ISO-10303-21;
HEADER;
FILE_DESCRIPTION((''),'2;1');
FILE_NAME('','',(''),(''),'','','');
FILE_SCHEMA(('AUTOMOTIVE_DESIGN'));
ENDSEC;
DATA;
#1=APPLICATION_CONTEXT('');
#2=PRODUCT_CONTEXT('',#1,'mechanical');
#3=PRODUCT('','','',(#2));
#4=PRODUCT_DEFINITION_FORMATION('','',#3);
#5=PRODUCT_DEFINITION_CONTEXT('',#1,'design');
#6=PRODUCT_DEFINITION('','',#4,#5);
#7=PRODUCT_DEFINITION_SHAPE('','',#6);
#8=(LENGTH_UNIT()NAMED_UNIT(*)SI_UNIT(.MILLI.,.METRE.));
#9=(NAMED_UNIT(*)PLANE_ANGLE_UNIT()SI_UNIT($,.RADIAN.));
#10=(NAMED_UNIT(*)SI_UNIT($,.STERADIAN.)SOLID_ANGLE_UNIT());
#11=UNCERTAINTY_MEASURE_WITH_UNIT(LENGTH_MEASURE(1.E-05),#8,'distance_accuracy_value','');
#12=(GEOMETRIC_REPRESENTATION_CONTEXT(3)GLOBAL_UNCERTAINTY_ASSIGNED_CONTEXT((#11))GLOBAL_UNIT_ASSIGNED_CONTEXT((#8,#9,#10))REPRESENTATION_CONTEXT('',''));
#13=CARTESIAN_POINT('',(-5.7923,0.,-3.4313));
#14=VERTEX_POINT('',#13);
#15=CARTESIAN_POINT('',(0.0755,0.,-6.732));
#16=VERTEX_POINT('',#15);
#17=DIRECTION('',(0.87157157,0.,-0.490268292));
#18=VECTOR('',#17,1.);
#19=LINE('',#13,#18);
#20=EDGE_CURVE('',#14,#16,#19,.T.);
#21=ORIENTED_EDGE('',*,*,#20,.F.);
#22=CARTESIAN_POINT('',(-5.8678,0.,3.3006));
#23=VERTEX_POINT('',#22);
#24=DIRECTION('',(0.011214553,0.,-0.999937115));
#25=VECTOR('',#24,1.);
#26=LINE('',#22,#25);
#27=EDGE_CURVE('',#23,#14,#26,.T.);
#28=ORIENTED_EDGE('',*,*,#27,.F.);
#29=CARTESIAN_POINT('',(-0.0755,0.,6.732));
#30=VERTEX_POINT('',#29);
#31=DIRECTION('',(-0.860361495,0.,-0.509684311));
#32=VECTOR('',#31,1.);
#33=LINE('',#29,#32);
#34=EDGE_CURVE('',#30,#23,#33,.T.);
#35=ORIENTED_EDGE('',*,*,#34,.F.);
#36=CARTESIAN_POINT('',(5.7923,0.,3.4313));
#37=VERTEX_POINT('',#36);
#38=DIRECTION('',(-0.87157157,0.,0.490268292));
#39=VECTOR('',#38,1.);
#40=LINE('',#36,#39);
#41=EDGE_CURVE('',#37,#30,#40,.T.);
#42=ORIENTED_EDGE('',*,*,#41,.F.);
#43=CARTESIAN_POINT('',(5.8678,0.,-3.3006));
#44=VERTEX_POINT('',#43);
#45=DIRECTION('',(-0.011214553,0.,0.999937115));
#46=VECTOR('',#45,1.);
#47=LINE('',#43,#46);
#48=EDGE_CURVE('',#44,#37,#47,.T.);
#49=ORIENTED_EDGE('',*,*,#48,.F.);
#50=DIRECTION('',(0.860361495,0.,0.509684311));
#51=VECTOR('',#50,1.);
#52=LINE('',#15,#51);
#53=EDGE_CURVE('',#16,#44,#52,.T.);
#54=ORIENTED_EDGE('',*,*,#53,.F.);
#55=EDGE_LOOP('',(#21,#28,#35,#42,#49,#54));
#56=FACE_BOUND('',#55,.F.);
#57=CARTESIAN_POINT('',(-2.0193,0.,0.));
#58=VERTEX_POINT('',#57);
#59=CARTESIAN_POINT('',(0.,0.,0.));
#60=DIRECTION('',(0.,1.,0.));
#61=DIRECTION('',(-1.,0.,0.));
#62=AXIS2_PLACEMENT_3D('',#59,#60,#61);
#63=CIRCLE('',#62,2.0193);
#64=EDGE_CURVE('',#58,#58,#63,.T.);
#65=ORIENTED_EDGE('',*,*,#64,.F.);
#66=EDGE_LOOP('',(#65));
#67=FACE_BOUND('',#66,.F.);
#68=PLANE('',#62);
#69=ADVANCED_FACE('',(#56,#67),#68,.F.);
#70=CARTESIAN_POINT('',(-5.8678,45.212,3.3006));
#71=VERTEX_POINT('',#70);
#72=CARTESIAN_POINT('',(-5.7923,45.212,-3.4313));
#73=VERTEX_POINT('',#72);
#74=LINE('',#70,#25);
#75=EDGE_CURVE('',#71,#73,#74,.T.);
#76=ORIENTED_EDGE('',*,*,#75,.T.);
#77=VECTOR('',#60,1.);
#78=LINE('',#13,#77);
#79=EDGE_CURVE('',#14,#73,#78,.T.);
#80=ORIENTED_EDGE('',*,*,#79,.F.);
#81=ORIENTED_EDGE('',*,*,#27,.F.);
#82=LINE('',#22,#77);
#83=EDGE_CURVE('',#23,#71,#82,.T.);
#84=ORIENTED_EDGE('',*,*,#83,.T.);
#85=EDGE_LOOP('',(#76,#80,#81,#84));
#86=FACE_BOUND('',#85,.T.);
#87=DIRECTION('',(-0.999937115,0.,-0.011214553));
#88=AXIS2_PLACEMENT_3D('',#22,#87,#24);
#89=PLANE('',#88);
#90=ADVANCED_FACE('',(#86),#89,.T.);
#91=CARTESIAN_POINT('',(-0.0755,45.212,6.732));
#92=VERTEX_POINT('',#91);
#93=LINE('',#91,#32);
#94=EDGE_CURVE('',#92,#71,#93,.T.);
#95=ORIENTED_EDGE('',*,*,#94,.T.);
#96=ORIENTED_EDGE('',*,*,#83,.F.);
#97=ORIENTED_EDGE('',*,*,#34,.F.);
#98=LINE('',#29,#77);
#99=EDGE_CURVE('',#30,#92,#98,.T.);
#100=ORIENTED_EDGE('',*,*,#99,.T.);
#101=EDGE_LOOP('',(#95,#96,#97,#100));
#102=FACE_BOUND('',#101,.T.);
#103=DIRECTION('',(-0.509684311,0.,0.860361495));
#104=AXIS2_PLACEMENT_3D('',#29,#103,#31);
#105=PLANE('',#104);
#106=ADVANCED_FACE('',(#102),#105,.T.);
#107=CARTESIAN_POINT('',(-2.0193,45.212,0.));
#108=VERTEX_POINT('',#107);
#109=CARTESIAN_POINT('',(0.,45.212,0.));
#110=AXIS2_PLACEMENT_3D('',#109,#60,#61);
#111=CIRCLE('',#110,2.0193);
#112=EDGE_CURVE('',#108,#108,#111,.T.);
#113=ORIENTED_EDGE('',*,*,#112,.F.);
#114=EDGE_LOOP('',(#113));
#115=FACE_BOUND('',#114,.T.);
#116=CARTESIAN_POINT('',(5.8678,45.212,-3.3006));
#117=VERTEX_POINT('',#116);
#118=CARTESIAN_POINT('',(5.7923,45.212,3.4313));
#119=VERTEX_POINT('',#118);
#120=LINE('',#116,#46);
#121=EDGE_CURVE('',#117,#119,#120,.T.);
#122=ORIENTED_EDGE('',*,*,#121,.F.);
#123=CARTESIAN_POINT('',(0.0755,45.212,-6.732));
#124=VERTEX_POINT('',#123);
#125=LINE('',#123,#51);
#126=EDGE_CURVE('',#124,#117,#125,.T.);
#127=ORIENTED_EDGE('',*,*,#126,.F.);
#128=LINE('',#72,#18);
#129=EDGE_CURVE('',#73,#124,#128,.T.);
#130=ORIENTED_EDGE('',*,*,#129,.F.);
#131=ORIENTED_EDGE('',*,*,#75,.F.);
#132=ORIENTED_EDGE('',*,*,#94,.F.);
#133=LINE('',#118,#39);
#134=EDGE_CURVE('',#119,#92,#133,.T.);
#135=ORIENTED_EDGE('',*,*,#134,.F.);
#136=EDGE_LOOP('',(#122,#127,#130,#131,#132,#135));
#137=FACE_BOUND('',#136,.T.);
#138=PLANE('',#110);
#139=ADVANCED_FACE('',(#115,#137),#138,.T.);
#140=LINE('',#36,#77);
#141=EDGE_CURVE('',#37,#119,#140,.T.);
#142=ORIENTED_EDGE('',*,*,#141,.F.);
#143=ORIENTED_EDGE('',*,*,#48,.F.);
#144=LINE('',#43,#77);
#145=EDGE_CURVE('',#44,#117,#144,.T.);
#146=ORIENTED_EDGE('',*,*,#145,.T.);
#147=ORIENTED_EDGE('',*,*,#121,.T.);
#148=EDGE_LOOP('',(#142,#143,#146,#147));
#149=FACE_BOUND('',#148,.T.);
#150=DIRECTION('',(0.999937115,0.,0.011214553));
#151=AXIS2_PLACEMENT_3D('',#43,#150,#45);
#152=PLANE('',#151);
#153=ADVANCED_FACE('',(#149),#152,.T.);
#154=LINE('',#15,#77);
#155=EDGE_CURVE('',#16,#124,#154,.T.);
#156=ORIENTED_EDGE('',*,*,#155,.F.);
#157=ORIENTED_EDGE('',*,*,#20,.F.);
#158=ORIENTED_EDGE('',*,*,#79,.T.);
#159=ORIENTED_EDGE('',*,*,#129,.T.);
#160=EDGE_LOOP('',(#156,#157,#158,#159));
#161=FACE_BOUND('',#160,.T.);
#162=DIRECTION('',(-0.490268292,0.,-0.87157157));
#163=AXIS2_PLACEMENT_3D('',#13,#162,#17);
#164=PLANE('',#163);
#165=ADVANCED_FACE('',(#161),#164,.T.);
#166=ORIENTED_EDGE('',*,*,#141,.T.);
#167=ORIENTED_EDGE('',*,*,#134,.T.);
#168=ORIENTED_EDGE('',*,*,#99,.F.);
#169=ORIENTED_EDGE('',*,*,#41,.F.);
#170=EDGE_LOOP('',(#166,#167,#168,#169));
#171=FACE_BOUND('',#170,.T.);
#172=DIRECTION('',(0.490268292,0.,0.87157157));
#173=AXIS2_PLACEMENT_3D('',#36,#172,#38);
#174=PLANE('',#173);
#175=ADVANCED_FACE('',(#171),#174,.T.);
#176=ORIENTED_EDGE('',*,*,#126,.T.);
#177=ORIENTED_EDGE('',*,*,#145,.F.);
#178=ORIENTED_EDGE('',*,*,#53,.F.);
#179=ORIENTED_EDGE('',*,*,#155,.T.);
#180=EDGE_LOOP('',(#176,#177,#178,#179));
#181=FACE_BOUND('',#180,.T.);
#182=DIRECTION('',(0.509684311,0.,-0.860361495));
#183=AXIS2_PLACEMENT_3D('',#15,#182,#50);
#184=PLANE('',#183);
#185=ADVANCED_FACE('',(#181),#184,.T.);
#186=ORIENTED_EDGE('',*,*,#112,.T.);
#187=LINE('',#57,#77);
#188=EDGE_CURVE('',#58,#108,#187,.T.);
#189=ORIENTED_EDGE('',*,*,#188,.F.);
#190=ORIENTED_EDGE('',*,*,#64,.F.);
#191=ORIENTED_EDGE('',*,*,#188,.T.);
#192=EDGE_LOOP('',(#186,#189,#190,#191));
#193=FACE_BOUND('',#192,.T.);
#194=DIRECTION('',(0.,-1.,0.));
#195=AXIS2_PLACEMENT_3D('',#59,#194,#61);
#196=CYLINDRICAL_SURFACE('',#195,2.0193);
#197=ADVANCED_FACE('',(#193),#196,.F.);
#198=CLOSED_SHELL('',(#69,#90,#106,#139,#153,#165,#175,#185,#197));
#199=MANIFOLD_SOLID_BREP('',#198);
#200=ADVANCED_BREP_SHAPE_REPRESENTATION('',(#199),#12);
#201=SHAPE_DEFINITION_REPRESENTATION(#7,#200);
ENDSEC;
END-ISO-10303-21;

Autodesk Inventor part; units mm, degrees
ref_plane "YZ Plane" through (0, 0, 0) normal (1, 0, 0) x (0, 1, 0)
ref_plane "XZ Plane" through (0, 0, 0) normal (0, 1, 0) x (-1, 0, 0)
ref_plane "XY Plane" through (0, 0, 0) normal (0, 0, 1) x (1, 0, 0)
sketch "Sketch1" plane through (0, 0, 0) normal (0, 1, 0) x (-1, 0, 0)
  line L0 (5.8678, 3.3006) -> (5.7923, -3.4313)
  line L1 (5.7923, -3.4313) -> (-0.0755, -6.732)
  line L2 (-0.0755, -6.732) -> (-5.8678, -3.3006)
  line L3 (-5.8678, -3.3006) -> (-5.7923, 3.4313)
  line L4 (-5.7923, 3.4313) -> (0.0755, 6.732)
  line L5 (0.0755, 6.732) -> (5.8678, 3.3006)
  circle A0 centre (0, 0) radius 2.0193
  dimension "d0" = 4.0386
extrude "Extrusion1" add sketch "Sketch1" along normal blind 45.212
properties part number "Hex Shaft"
